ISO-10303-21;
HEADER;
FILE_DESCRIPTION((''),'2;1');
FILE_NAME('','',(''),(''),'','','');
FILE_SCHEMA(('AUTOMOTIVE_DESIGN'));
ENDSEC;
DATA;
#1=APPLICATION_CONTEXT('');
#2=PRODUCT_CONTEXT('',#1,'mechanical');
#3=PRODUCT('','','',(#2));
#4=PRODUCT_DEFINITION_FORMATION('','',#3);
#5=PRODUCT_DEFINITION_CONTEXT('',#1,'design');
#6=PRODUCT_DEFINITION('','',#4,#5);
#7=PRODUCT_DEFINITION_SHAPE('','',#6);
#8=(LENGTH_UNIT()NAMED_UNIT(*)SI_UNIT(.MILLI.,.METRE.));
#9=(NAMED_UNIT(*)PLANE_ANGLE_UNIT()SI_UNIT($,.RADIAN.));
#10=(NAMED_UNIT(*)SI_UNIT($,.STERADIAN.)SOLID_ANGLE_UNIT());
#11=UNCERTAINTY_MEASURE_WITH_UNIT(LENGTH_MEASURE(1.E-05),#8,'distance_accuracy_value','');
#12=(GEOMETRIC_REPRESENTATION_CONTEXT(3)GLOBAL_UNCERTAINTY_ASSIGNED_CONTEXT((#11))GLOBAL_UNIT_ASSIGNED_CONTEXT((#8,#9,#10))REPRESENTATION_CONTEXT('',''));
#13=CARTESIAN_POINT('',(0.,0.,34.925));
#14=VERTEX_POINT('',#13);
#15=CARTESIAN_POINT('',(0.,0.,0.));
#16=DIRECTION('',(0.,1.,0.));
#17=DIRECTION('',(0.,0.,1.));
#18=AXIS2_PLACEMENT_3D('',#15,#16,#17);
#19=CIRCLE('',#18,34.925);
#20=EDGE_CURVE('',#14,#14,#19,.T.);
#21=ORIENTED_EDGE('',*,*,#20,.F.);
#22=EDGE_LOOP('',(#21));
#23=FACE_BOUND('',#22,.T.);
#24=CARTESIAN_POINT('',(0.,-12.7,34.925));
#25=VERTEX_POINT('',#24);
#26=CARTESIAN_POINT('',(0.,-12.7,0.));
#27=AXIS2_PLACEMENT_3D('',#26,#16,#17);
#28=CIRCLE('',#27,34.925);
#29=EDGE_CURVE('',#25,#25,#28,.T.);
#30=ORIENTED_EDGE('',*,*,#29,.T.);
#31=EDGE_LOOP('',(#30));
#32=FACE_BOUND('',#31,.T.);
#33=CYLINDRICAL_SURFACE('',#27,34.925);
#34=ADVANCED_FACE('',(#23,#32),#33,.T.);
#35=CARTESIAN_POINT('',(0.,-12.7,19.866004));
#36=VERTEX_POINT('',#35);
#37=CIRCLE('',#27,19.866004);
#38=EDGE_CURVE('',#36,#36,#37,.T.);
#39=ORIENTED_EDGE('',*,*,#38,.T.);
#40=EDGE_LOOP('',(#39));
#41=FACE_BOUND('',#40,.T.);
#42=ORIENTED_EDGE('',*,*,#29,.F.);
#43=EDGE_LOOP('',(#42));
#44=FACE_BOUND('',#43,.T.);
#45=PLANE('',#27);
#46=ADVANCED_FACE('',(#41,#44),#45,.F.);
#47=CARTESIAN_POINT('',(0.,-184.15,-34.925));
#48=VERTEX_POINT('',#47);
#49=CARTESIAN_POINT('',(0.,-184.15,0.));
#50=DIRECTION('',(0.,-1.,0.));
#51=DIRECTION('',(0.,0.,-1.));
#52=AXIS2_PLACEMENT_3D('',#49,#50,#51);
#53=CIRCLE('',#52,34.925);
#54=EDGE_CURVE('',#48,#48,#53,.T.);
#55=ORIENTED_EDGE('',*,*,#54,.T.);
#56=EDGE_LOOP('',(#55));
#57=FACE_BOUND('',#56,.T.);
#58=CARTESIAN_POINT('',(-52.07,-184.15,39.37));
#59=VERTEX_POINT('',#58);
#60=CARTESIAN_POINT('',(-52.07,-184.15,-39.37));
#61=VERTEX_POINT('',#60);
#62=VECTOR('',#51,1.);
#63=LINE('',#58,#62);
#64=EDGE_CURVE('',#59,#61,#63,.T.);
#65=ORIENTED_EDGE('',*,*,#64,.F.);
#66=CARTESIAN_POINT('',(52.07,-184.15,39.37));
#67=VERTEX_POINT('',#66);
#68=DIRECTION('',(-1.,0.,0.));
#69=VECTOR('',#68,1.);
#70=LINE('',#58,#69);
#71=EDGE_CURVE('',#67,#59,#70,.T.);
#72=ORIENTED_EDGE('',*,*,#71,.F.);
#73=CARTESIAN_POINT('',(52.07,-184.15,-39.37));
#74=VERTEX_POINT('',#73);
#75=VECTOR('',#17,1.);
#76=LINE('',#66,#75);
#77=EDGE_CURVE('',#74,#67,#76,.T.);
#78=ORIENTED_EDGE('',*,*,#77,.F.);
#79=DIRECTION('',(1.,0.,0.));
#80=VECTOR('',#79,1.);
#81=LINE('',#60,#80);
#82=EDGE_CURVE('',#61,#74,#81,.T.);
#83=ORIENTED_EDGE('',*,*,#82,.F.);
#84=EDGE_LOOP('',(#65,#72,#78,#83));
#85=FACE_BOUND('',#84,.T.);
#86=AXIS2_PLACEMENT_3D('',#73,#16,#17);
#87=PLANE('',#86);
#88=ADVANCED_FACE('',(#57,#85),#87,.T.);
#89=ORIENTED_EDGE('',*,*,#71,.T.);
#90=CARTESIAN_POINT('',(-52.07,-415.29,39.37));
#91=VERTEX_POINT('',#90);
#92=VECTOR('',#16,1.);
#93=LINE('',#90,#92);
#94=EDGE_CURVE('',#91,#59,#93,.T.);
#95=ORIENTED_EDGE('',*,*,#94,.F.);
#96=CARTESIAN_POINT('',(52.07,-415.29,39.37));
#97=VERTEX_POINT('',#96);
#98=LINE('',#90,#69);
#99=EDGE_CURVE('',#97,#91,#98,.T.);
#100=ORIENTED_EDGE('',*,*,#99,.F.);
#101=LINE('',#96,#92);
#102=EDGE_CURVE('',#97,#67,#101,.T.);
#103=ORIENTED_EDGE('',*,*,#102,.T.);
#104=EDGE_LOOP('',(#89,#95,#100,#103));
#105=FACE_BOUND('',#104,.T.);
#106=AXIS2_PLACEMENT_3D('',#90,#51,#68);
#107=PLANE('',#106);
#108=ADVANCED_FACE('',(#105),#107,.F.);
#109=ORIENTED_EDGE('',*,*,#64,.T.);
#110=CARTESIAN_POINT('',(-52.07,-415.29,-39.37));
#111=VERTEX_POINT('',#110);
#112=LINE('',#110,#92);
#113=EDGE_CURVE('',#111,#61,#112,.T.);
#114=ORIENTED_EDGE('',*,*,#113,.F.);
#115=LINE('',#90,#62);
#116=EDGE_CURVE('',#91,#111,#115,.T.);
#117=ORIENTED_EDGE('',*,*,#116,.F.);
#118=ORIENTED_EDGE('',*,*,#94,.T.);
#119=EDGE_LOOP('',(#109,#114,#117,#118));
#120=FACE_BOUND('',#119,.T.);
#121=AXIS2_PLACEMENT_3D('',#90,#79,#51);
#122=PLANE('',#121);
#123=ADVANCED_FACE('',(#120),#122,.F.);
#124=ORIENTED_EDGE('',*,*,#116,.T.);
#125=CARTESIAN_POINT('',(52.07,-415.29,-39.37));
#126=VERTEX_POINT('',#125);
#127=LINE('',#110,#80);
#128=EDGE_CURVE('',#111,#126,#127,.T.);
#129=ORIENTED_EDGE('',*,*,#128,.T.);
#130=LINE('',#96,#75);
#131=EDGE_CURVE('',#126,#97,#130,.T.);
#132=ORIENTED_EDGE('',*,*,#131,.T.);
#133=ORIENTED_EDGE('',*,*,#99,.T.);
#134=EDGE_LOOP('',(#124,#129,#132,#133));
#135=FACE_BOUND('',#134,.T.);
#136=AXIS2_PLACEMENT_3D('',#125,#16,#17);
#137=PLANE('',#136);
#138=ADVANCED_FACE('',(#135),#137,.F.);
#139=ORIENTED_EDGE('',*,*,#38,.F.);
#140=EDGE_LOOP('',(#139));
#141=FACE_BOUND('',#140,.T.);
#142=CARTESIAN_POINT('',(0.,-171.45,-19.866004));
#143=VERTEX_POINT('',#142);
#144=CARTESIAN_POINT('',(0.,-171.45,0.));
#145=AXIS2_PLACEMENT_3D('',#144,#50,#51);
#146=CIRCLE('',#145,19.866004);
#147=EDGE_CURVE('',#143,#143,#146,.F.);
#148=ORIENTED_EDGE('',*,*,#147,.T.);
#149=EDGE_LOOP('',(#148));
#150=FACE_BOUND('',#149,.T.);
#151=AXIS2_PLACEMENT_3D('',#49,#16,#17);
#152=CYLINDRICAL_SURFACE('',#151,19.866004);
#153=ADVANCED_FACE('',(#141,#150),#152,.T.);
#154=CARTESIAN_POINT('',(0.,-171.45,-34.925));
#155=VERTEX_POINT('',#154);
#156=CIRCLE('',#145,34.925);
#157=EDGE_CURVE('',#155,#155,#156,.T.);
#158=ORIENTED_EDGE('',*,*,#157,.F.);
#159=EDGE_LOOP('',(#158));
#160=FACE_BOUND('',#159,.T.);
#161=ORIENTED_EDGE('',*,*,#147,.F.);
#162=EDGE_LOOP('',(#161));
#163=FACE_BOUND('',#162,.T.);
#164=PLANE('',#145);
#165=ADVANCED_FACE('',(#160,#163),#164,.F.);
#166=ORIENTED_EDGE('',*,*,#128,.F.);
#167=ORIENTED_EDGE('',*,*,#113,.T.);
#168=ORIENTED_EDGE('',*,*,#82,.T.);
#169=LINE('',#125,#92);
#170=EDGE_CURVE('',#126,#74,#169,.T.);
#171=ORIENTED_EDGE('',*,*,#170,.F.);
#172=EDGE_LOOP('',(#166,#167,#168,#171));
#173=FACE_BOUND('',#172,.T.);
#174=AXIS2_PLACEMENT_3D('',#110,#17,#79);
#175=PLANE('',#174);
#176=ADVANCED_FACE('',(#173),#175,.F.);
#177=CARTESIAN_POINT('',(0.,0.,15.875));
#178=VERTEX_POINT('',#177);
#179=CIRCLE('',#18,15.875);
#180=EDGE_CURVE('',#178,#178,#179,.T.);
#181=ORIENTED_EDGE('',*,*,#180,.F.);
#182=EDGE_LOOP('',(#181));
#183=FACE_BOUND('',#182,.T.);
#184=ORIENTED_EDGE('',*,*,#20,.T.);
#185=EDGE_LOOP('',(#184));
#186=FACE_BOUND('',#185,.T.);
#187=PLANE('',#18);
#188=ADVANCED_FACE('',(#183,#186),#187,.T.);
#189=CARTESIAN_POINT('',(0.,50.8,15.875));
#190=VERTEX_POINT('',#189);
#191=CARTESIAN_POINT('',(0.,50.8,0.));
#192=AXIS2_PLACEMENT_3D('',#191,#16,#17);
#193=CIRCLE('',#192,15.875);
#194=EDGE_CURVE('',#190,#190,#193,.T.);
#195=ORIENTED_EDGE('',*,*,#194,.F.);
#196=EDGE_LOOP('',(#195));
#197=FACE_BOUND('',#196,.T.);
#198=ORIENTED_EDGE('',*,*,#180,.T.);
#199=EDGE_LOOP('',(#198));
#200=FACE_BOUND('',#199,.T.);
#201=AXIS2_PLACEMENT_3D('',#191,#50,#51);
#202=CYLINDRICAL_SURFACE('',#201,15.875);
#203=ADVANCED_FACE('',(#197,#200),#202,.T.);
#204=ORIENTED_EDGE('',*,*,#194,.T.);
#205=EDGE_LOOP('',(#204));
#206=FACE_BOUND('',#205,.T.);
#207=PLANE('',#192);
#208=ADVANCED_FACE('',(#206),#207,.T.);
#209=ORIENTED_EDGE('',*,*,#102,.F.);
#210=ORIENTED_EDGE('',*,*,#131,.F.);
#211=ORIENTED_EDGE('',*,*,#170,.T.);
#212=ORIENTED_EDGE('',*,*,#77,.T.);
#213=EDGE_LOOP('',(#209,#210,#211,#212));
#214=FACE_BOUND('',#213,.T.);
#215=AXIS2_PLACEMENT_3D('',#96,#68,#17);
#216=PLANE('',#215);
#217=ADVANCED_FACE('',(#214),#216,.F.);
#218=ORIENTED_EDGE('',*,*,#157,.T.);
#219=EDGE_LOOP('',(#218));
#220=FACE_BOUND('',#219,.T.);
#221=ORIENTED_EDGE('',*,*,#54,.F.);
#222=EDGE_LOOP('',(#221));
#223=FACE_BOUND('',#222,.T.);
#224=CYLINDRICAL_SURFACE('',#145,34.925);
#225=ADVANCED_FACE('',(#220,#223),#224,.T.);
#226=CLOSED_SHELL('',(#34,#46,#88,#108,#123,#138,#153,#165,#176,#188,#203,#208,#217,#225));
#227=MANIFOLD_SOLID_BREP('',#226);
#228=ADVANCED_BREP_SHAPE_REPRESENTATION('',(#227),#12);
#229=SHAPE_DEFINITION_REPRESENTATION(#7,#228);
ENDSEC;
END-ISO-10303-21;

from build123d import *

# Parameters (mm, degrees)
SKETCH1_R      = 34.925
EXTRUDE1_DEPTH = 12.7
SKETCH2_R      = 19.86600399
EXTRUDE2_DEPTH = 184.15
SKETCH3_R      = 15.875
EXTRUDE3_DEPTH = 50.8
EXTRUDE4_START = -12.7
SKETCH4_R      = 34.925
EXTRUDE4_DEPTH = 12.7
SKETCH5_W      = 104.14
SKETCH5_H      = 78.74
EXTRUDE5_DEPTH = 231.14


with BuildPart() as part:
    # Sketch1 → Extrude1 (new body)
    with BuildSketch(Plane(origin=(0, 0, 0), x_dir=(1, 0, 0), z_dir=(0, 1, 0))):
        with Locations(Location((0, 0, 0), (0, 0, 270))):
            Circle(SKETCH1_R)
    extrude(amount=-EXTRUDE1_DEPTH)

    # Sketch2 → Extrude2 (add)
    with BuildSketch(Plane(origin=(0, 0, 0), x_dir=(1, 0, 0), z_dir=(0, 1, 0))):
        with Locations(Location((0, 0, 0), (0, 0, 270))):
            Circle(SKETCH2_R)
    extrude(amount=-EXTRUDE2_DEPTH)

    # Sketch3 → Extrude3 (add)
    with BuildSketch(Plane(origin=(0, 0, 0), x_dir=(1, 0, 0), z_dir=(0, 1, 0))):
        with Locations(Location((0, 0, 0), (0, 0, 270))):
            Circle(SKETCH3_R)
    extrude(amount=EXTRUDE3_DEPTH)

    # Sketch4 → Extrude4 (add)
    with BuildSketch(Plane.XZ.offset(184.15).offset(EXTRUDE4_START)):
        with Locations(Location((0, 0, 0), (0, 0, 90))):
            Circle(SKETCH4_R)
    extrude(amount=EXTRUDE4_DEPTH)

    # Sketch5 → Extrude5 (add)
    with BuildSketch(Plane.XZ.offset(184.15)):
        Rectangle(SKETCH5_W, SKETCH5_H)
    extrude(amount=EXTRUDE5_DEPTH)


solid = part.part
